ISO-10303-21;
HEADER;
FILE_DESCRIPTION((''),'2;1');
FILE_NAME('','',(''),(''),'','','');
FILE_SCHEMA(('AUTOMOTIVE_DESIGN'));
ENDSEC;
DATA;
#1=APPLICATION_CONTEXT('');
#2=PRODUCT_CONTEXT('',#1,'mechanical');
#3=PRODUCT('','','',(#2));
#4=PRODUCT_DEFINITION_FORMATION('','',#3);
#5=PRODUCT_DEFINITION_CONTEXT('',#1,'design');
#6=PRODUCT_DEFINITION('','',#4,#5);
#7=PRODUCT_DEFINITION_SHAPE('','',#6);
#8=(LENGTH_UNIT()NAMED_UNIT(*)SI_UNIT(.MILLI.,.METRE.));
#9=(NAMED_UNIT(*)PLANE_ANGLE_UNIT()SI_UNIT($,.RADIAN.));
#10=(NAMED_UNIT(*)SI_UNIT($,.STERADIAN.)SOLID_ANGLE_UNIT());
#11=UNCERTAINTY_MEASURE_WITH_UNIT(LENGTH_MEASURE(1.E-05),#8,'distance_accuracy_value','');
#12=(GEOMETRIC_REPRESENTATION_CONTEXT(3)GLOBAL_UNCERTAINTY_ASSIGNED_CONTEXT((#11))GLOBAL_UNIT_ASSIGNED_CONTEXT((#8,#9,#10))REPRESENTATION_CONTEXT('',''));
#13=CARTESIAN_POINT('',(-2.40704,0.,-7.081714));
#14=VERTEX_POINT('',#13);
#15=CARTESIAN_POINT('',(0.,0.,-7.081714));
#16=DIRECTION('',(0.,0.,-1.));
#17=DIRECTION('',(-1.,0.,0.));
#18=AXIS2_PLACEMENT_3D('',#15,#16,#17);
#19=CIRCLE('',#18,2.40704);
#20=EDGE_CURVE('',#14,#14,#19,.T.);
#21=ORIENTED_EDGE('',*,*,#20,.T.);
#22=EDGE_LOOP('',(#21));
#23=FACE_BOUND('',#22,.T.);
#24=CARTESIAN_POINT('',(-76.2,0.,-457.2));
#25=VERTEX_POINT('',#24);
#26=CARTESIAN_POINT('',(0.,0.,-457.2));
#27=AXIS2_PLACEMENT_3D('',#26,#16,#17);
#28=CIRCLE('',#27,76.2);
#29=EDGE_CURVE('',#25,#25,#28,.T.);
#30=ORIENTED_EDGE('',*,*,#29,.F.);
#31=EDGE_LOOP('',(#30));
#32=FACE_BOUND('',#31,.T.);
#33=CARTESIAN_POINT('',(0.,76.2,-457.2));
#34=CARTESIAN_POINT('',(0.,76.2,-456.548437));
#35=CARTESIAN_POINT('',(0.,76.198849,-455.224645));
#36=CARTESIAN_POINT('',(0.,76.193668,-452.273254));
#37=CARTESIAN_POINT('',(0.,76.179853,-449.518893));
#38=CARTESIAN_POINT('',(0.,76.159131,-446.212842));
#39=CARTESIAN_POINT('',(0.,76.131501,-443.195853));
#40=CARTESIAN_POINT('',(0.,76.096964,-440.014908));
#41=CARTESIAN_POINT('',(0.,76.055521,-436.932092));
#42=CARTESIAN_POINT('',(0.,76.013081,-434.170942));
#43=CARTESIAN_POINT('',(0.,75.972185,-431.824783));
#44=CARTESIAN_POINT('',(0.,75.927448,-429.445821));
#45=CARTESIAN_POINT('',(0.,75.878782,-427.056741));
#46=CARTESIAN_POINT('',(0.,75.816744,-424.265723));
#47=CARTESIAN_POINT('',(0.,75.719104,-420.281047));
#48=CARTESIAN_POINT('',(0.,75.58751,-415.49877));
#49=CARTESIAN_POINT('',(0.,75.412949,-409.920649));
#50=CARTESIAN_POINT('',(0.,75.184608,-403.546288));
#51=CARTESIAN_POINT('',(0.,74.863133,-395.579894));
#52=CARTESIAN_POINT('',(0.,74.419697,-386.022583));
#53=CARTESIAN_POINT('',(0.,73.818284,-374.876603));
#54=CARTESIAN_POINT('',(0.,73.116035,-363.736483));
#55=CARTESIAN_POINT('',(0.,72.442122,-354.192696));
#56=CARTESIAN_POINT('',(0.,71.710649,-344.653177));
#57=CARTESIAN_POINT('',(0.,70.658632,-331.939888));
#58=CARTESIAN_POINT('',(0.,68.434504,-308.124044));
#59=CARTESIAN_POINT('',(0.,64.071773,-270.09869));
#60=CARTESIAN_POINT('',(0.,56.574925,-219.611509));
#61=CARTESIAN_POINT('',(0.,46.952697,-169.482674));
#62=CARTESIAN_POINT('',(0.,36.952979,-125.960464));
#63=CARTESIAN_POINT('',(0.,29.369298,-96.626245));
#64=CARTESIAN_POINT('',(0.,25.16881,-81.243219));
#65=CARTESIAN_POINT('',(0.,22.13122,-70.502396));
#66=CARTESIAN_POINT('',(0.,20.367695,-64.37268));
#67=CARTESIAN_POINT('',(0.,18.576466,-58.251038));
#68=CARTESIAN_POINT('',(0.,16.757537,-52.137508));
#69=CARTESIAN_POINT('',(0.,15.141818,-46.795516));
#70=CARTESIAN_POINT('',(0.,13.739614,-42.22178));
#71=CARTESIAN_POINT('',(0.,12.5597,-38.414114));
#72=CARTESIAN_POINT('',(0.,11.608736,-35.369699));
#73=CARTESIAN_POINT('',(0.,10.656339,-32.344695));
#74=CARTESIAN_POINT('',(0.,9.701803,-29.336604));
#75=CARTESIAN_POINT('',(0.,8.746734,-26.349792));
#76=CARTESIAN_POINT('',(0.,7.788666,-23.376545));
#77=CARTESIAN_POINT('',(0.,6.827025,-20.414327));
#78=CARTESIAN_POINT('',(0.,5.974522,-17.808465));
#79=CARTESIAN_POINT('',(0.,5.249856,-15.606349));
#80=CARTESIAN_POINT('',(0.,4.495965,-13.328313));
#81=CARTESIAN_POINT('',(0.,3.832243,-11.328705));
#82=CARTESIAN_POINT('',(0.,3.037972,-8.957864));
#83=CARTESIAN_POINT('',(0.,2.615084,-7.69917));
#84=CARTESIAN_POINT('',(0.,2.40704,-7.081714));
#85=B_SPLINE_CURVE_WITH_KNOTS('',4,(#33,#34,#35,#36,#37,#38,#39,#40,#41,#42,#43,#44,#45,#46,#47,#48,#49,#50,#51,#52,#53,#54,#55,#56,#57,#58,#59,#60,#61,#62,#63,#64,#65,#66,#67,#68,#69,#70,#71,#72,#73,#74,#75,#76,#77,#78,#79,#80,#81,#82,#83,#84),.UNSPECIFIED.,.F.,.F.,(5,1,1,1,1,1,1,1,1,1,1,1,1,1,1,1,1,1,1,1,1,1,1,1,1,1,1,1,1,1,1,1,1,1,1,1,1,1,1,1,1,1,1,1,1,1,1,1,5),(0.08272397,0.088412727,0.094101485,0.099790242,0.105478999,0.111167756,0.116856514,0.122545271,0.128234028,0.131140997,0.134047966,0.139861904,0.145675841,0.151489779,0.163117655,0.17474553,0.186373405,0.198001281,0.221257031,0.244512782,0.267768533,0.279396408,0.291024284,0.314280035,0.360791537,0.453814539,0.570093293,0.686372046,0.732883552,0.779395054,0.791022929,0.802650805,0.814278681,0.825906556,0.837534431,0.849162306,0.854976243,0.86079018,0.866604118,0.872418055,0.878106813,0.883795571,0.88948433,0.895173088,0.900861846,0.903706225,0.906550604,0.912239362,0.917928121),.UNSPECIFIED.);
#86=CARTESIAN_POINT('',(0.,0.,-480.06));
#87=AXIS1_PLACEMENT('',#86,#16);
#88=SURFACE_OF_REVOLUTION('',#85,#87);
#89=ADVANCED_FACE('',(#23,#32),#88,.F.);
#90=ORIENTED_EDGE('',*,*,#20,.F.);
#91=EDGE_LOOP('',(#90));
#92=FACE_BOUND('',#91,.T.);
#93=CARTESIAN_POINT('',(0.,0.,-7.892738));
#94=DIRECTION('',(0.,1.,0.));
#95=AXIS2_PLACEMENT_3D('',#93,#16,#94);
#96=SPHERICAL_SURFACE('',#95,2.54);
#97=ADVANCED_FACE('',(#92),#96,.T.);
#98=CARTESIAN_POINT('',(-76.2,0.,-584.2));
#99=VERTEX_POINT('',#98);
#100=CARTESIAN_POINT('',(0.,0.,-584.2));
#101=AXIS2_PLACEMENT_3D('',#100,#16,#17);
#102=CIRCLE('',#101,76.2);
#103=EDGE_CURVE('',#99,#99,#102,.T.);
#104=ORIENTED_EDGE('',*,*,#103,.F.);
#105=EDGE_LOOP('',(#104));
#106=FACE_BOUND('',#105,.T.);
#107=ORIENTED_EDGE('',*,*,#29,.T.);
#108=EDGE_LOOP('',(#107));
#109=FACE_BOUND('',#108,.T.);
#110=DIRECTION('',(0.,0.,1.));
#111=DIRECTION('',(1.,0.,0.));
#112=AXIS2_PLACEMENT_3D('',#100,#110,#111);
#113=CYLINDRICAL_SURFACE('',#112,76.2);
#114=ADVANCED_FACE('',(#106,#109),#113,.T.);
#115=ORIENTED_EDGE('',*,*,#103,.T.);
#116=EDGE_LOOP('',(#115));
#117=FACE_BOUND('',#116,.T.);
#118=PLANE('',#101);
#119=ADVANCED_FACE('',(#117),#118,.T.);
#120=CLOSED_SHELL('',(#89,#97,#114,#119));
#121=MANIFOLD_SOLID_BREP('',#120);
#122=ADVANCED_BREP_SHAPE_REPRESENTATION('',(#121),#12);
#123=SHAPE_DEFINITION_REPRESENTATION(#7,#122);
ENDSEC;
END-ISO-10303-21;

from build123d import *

# Parameters (mm, degrees)
SKETCH4_R           = 76.2
BOSS_EXTRUDE1_DEPTH = 127


with BuildPart() as part:
    # Sketch1 → Revolve1 (revolve)
    with BuildSketch(Plane(origin=(0, 0, 0), x_dir=(0, 0, -1), z_dir=(1, 0, 0))):
        with BuildLine():
            Line((457.200000001, 76.2), (457.200000001, 0))
            Line((457.200000001, 0), (5.352738095, 0))
            ThreePointArc((5.352738095, 0), (5.829778958, 1.481823066), (7.081714157, 2.407039711))
            add(Edge.make_bspline(
                [(7.081714157, 2.407039711), (7.699169806, 2.615084186), (8.957864154, 3.037971715), (11.328704763, 3.832243132), (13.328313339, 4.495965483), (15.606348626, 5.249855985), (17.808465472, 5.974522196), (20.414326972, 6.827025454), (23.376545495, 7.788665879), (26.349792173, 8.746733597), (29.336604217, 9.701803031), (32.344695283, 10.656339226), (35.369699382, 11.608736298), (38.414114302, 12.559700202), (42.221779975, 13.739614381), (46.795515938, 15.141818397), (52.137507588, 16.757537018), (58.251038118, 18.576465517), (64.372679562, 20.367695411), (70.502395777, 22.131220076), (81.243219169, 25.168810187), (96.626245012, 29.369297932), (125.960463947, 36.952978502), (169.482674092, 46.952697394), (219.611508639, 56.574925021), (270.09868984, 64.071772648), (308.124044325, 68.434503619), (331.939887808, 70.658632381), (344.653176693, 71.710648976), (354.192695832, 72.442121675), (363.736483149, 73.116034665), (374.876603063, 73.818284147), (386.022582597, 74.419697316), (395.579894234, 74.863133204), (403.546288387, 75.18460773), (409.920648506, 75.412948857), (415.498770123, 75.587509571), (420.281047098, 75.719103508), (424.265722803, 75.816744341), (427.056740621, 75.878781665), (429.445821312, 75.927448245), (431.824783137, 75.972184691), (434.17094241, 76.013080971), (436.932091663, 76.055520687), (440.014908088, 76.096964447), (443.195852679, 76.131501224), (446.212842429, 76.159130849), (449.518892815, 76.179853186), (452.273254042, 76.193668133), (455.224645405, 76.198848752), (456.548437389, 76.2), (457.200000001, 76.2)],
                knots=[0.08272397, 0.08272397, 0.08272397, 0.08272397, 0.08272397, 0.088412728, 0.094101487, 0.096945866, 0.099790245, 0.105479003, 0.111167761, 0.116856519, 0.122545278, 0.128234036, 0.134047973, 0.139861911, 0.145675848, 0.151489785, 0.16311766, 0.174745535, 0.18637341, 0.198001286, 0.209629161, 0.221257037, 0.267768539, 0.314280045, 0.430558798, 0.546837552, 0.639860554, 0.686372056, 0.709627807, 0.721255683, 0.732883558, 0.756139309, 0.779395059, 0.80265081, 0.814278685, 0.825906561, 0.837534436, 0.849162312, 0.854976249, 0.860790187, 0.866604125, 0.869511094, 0.872418063, 0.87810682, 0.883795577, 0.889484334, 0.895173092, 0.900861849, 0.906550606, 0.912239363, 0.917928121, 0.917928121, 0.917928121, 0.917928121, 0.917928121], degree=4))
        make_face()
    revolve(axis=Axis((0, 0, -480.06), (0, 0, 1)))

    # Sketch4 → Boss-Extrude1 (add)
    with BuildSketch(Plane(origin=(0, 0, -457.200000001), x_dir=(-1, 0, 0), z_dir=(0, 0, -1))):
        Circle(SKETCH4_R)
    extrude(amount=BOSS_EXTRUDE1_DEPTH)


solid = part.part
